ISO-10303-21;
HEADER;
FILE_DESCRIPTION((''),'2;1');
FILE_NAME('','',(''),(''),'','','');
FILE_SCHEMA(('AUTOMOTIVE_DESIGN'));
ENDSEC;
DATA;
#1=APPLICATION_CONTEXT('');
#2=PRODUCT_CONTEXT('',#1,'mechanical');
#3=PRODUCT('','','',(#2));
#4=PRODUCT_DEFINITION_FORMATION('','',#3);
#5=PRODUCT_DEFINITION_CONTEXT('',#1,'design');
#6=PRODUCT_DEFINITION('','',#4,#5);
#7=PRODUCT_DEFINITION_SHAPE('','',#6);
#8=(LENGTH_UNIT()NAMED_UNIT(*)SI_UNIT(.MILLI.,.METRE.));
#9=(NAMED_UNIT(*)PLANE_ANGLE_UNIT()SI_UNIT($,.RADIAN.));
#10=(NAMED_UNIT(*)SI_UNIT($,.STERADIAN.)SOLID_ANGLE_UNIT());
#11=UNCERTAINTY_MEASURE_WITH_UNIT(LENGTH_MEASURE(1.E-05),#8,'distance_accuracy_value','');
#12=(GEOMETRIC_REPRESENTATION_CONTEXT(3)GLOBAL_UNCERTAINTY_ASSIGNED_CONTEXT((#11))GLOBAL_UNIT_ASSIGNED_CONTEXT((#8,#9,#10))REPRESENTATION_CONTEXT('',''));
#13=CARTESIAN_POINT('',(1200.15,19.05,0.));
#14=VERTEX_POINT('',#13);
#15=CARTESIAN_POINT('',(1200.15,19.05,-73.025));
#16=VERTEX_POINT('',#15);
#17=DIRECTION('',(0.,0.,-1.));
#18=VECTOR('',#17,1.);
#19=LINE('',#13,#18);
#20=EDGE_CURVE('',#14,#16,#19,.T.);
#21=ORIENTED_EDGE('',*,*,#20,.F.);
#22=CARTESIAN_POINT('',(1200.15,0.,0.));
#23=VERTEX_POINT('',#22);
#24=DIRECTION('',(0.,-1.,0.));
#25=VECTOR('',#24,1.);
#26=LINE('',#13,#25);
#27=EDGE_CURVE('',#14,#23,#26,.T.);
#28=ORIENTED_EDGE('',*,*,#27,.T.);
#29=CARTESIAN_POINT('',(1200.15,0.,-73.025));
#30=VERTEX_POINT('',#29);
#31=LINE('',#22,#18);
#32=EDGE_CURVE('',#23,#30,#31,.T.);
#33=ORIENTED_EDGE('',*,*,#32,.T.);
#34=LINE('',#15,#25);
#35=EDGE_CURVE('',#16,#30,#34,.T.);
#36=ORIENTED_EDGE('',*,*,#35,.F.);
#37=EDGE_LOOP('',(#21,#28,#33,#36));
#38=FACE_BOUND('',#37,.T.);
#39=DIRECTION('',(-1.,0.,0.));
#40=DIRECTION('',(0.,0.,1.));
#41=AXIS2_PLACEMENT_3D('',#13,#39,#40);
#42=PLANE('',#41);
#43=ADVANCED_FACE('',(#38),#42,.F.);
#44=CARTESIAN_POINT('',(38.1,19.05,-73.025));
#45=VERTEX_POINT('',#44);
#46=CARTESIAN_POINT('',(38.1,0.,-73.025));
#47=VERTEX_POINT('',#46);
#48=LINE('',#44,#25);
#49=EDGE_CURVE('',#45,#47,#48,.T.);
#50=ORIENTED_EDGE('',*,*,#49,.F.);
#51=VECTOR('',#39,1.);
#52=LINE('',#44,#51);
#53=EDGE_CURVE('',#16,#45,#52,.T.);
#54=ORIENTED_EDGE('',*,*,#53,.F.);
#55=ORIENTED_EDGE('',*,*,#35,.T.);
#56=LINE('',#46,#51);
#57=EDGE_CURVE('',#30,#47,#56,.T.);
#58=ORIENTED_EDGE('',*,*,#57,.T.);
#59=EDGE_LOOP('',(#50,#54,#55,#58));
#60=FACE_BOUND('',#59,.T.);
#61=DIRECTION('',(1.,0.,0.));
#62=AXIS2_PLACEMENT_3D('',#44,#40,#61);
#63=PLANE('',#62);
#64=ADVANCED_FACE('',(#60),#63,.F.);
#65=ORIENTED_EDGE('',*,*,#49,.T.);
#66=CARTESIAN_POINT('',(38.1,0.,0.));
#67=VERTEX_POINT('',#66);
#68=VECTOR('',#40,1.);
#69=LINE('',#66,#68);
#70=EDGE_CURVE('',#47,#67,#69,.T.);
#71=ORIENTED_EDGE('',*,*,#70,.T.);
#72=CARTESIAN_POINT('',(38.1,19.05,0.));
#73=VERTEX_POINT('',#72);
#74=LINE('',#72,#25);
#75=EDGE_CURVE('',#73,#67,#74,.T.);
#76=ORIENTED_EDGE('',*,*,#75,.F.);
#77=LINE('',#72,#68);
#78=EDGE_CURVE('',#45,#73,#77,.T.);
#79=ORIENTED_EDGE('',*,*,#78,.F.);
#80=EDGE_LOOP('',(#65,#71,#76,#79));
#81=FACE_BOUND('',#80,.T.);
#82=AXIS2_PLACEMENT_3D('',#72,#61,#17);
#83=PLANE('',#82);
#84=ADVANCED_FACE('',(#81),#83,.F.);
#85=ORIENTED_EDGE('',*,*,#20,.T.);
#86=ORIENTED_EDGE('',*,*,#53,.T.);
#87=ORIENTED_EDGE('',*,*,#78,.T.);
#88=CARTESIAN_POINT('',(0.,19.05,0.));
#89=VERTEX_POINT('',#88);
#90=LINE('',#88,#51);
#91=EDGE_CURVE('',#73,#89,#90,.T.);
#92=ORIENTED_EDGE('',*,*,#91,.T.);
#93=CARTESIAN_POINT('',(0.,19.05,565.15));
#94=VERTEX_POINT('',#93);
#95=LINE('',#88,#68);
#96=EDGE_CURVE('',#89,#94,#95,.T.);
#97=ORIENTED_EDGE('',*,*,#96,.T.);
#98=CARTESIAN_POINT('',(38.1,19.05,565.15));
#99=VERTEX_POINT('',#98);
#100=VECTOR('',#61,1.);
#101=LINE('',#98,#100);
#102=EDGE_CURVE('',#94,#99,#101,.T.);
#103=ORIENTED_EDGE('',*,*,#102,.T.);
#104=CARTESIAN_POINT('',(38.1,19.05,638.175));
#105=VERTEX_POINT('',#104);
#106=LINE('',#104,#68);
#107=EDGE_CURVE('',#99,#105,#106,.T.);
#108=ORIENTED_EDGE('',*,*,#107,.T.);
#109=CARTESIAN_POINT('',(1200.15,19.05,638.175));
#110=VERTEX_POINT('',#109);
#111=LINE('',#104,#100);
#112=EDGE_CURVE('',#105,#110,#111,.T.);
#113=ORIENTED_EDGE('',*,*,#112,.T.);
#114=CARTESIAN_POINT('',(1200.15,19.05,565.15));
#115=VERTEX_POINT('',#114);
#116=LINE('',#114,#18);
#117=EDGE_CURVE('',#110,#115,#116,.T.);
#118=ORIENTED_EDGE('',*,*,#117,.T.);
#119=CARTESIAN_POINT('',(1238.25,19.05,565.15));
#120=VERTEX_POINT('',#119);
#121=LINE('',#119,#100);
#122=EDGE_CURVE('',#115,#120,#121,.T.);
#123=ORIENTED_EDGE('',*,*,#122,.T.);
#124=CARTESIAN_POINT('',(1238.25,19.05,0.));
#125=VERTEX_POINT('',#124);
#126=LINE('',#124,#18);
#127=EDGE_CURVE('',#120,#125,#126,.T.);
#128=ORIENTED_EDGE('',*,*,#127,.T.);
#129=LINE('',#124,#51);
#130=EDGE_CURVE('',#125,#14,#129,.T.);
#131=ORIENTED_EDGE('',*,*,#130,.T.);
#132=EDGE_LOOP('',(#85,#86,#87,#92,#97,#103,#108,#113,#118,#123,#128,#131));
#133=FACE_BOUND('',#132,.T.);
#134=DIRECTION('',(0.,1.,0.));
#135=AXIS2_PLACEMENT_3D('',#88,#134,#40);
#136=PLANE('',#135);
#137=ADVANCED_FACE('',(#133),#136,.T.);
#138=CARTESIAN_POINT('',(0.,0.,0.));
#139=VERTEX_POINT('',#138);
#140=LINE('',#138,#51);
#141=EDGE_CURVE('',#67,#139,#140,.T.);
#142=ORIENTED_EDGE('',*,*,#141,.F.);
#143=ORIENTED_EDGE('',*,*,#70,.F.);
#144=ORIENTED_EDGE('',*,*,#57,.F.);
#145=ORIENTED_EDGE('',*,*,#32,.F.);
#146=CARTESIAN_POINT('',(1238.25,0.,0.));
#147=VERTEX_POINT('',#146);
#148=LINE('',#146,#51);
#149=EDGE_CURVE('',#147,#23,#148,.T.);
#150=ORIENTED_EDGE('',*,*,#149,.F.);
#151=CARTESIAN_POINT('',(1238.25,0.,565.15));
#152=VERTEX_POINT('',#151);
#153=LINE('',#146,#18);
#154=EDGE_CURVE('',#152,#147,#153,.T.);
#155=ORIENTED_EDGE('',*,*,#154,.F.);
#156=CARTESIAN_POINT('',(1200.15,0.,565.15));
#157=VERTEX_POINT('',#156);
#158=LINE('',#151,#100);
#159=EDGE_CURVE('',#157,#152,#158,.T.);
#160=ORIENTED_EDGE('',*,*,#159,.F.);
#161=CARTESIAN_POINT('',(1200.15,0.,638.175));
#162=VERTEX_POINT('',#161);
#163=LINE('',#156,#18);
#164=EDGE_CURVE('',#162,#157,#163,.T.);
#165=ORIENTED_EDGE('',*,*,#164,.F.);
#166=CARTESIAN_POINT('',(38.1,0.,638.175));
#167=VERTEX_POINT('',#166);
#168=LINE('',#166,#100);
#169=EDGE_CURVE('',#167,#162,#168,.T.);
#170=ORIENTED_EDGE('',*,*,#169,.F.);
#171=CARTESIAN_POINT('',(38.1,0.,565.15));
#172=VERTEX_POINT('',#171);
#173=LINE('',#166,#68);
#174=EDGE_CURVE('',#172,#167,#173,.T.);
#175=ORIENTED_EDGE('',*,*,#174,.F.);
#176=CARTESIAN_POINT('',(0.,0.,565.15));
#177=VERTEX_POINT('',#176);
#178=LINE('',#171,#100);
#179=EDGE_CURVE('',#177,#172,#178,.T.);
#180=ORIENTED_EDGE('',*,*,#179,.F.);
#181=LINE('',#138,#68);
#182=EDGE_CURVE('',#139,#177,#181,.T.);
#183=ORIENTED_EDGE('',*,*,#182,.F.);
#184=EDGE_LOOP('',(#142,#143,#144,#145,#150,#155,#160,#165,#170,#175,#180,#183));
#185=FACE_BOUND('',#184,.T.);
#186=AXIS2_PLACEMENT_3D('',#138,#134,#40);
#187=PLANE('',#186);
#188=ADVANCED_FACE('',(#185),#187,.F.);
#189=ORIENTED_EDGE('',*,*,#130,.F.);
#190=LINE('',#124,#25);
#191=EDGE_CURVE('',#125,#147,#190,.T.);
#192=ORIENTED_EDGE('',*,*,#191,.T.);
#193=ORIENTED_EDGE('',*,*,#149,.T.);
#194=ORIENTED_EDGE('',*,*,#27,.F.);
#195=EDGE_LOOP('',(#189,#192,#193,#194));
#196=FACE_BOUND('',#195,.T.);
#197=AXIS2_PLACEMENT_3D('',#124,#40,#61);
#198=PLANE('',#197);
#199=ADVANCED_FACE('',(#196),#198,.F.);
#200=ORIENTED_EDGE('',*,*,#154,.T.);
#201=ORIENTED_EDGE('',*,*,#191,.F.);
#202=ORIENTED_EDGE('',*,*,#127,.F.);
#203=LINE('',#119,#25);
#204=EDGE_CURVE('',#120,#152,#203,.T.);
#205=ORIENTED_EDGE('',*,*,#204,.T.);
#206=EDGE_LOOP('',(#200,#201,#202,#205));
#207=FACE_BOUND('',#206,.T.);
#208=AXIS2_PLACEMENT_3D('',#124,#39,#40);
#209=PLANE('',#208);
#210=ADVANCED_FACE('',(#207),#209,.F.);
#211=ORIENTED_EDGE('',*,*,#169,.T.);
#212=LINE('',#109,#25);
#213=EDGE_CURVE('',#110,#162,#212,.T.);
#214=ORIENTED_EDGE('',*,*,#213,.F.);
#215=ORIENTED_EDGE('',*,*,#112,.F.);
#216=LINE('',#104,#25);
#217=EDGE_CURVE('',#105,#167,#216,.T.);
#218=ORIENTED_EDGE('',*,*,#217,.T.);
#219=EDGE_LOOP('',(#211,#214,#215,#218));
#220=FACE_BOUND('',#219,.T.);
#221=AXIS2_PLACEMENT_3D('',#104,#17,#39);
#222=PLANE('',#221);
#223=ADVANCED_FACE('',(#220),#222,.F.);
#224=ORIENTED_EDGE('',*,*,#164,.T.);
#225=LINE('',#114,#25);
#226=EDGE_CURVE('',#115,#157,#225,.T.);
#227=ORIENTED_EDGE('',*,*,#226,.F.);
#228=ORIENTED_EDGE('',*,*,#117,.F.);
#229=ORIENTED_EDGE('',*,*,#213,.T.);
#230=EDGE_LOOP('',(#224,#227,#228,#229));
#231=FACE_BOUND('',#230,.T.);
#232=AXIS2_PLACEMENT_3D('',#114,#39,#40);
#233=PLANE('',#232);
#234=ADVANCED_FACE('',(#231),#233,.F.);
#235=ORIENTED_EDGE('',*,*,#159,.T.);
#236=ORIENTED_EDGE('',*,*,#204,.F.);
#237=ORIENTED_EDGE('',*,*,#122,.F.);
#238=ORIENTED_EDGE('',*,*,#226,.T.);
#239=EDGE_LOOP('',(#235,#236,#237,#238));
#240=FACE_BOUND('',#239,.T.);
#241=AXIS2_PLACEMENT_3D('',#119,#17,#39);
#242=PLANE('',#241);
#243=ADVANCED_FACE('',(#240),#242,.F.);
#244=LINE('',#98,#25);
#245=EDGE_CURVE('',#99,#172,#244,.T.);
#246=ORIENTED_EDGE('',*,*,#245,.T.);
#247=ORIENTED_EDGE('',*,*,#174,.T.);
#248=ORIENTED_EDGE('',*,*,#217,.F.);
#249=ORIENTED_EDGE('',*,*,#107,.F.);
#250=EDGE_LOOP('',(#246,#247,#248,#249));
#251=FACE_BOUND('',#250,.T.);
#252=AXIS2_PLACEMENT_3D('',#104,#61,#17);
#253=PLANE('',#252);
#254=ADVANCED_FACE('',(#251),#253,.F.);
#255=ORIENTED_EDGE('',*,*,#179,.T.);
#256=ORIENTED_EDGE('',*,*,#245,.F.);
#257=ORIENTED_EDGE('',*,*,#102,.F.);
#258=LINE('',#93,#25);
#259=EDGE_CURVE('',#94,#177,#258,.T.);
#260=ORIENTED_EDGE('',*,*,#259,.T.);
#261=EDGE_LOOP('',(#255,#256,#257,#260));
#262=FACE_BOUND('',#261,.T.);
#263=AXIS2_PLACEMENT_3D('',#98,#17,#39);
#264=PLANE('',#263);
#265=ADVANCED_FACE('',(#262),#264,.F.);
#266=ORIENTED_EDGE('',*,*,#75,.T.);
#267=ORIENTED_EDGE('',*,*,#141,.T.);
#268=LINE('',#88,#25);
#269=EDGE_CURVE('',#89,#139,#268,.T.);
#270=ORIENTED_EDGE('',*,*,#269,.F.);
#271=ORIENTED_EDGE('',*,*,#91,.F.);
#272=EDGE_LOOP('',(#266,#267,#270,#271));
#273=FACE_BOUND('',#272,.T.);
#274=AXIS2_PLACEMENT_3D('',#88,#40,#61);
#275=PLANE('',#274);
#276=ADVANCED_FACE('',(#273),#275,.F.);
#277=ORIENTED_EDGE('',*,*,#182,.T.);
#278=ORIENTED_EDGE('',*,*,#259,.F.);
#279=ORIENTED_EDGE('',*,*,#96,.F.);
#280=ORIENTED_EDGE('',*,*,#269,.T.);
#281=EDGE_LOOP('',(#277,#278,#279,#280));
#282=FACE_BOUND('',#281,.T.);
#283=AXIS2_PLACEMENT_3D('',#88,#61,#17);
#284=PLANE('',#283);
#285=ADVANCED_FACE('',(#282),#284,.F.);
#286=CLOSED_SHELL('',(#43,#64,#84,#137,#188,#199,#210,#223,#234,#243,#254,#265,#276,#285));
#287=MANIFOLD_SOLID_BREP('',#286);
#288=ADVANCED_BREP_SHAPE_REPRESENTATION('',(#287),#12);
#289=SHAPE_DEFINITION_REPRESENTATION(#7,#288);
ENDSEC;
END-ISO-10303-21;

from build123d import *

# Parameters (mm, degrees)
BOSS_EXTRUDE1_DEPTH = 19.05


with BuildPart() as part:
    # Sketch1 → Boss-Extrude1 (new body)
    with BuildSketch(Plane(origin=(0, 0, 0), x_dir=(1, 0, 0), z_dir=(0, 1, 0))):
        Polygon((1238.25, 0), (1200.15, 0), (1200.15, 73.025), (38.1, 73.025), (38.1, 0), (0, 0), (0, -565.15), (38.1, -565.15), (38.1, -638.175), (1200.15, -638.175), (1200.15, -565.15), (1238.25, -565.15), align=None)
    extrude(amount=BOSS_EXTRUDE1_DEPTH)


solid = part.part
